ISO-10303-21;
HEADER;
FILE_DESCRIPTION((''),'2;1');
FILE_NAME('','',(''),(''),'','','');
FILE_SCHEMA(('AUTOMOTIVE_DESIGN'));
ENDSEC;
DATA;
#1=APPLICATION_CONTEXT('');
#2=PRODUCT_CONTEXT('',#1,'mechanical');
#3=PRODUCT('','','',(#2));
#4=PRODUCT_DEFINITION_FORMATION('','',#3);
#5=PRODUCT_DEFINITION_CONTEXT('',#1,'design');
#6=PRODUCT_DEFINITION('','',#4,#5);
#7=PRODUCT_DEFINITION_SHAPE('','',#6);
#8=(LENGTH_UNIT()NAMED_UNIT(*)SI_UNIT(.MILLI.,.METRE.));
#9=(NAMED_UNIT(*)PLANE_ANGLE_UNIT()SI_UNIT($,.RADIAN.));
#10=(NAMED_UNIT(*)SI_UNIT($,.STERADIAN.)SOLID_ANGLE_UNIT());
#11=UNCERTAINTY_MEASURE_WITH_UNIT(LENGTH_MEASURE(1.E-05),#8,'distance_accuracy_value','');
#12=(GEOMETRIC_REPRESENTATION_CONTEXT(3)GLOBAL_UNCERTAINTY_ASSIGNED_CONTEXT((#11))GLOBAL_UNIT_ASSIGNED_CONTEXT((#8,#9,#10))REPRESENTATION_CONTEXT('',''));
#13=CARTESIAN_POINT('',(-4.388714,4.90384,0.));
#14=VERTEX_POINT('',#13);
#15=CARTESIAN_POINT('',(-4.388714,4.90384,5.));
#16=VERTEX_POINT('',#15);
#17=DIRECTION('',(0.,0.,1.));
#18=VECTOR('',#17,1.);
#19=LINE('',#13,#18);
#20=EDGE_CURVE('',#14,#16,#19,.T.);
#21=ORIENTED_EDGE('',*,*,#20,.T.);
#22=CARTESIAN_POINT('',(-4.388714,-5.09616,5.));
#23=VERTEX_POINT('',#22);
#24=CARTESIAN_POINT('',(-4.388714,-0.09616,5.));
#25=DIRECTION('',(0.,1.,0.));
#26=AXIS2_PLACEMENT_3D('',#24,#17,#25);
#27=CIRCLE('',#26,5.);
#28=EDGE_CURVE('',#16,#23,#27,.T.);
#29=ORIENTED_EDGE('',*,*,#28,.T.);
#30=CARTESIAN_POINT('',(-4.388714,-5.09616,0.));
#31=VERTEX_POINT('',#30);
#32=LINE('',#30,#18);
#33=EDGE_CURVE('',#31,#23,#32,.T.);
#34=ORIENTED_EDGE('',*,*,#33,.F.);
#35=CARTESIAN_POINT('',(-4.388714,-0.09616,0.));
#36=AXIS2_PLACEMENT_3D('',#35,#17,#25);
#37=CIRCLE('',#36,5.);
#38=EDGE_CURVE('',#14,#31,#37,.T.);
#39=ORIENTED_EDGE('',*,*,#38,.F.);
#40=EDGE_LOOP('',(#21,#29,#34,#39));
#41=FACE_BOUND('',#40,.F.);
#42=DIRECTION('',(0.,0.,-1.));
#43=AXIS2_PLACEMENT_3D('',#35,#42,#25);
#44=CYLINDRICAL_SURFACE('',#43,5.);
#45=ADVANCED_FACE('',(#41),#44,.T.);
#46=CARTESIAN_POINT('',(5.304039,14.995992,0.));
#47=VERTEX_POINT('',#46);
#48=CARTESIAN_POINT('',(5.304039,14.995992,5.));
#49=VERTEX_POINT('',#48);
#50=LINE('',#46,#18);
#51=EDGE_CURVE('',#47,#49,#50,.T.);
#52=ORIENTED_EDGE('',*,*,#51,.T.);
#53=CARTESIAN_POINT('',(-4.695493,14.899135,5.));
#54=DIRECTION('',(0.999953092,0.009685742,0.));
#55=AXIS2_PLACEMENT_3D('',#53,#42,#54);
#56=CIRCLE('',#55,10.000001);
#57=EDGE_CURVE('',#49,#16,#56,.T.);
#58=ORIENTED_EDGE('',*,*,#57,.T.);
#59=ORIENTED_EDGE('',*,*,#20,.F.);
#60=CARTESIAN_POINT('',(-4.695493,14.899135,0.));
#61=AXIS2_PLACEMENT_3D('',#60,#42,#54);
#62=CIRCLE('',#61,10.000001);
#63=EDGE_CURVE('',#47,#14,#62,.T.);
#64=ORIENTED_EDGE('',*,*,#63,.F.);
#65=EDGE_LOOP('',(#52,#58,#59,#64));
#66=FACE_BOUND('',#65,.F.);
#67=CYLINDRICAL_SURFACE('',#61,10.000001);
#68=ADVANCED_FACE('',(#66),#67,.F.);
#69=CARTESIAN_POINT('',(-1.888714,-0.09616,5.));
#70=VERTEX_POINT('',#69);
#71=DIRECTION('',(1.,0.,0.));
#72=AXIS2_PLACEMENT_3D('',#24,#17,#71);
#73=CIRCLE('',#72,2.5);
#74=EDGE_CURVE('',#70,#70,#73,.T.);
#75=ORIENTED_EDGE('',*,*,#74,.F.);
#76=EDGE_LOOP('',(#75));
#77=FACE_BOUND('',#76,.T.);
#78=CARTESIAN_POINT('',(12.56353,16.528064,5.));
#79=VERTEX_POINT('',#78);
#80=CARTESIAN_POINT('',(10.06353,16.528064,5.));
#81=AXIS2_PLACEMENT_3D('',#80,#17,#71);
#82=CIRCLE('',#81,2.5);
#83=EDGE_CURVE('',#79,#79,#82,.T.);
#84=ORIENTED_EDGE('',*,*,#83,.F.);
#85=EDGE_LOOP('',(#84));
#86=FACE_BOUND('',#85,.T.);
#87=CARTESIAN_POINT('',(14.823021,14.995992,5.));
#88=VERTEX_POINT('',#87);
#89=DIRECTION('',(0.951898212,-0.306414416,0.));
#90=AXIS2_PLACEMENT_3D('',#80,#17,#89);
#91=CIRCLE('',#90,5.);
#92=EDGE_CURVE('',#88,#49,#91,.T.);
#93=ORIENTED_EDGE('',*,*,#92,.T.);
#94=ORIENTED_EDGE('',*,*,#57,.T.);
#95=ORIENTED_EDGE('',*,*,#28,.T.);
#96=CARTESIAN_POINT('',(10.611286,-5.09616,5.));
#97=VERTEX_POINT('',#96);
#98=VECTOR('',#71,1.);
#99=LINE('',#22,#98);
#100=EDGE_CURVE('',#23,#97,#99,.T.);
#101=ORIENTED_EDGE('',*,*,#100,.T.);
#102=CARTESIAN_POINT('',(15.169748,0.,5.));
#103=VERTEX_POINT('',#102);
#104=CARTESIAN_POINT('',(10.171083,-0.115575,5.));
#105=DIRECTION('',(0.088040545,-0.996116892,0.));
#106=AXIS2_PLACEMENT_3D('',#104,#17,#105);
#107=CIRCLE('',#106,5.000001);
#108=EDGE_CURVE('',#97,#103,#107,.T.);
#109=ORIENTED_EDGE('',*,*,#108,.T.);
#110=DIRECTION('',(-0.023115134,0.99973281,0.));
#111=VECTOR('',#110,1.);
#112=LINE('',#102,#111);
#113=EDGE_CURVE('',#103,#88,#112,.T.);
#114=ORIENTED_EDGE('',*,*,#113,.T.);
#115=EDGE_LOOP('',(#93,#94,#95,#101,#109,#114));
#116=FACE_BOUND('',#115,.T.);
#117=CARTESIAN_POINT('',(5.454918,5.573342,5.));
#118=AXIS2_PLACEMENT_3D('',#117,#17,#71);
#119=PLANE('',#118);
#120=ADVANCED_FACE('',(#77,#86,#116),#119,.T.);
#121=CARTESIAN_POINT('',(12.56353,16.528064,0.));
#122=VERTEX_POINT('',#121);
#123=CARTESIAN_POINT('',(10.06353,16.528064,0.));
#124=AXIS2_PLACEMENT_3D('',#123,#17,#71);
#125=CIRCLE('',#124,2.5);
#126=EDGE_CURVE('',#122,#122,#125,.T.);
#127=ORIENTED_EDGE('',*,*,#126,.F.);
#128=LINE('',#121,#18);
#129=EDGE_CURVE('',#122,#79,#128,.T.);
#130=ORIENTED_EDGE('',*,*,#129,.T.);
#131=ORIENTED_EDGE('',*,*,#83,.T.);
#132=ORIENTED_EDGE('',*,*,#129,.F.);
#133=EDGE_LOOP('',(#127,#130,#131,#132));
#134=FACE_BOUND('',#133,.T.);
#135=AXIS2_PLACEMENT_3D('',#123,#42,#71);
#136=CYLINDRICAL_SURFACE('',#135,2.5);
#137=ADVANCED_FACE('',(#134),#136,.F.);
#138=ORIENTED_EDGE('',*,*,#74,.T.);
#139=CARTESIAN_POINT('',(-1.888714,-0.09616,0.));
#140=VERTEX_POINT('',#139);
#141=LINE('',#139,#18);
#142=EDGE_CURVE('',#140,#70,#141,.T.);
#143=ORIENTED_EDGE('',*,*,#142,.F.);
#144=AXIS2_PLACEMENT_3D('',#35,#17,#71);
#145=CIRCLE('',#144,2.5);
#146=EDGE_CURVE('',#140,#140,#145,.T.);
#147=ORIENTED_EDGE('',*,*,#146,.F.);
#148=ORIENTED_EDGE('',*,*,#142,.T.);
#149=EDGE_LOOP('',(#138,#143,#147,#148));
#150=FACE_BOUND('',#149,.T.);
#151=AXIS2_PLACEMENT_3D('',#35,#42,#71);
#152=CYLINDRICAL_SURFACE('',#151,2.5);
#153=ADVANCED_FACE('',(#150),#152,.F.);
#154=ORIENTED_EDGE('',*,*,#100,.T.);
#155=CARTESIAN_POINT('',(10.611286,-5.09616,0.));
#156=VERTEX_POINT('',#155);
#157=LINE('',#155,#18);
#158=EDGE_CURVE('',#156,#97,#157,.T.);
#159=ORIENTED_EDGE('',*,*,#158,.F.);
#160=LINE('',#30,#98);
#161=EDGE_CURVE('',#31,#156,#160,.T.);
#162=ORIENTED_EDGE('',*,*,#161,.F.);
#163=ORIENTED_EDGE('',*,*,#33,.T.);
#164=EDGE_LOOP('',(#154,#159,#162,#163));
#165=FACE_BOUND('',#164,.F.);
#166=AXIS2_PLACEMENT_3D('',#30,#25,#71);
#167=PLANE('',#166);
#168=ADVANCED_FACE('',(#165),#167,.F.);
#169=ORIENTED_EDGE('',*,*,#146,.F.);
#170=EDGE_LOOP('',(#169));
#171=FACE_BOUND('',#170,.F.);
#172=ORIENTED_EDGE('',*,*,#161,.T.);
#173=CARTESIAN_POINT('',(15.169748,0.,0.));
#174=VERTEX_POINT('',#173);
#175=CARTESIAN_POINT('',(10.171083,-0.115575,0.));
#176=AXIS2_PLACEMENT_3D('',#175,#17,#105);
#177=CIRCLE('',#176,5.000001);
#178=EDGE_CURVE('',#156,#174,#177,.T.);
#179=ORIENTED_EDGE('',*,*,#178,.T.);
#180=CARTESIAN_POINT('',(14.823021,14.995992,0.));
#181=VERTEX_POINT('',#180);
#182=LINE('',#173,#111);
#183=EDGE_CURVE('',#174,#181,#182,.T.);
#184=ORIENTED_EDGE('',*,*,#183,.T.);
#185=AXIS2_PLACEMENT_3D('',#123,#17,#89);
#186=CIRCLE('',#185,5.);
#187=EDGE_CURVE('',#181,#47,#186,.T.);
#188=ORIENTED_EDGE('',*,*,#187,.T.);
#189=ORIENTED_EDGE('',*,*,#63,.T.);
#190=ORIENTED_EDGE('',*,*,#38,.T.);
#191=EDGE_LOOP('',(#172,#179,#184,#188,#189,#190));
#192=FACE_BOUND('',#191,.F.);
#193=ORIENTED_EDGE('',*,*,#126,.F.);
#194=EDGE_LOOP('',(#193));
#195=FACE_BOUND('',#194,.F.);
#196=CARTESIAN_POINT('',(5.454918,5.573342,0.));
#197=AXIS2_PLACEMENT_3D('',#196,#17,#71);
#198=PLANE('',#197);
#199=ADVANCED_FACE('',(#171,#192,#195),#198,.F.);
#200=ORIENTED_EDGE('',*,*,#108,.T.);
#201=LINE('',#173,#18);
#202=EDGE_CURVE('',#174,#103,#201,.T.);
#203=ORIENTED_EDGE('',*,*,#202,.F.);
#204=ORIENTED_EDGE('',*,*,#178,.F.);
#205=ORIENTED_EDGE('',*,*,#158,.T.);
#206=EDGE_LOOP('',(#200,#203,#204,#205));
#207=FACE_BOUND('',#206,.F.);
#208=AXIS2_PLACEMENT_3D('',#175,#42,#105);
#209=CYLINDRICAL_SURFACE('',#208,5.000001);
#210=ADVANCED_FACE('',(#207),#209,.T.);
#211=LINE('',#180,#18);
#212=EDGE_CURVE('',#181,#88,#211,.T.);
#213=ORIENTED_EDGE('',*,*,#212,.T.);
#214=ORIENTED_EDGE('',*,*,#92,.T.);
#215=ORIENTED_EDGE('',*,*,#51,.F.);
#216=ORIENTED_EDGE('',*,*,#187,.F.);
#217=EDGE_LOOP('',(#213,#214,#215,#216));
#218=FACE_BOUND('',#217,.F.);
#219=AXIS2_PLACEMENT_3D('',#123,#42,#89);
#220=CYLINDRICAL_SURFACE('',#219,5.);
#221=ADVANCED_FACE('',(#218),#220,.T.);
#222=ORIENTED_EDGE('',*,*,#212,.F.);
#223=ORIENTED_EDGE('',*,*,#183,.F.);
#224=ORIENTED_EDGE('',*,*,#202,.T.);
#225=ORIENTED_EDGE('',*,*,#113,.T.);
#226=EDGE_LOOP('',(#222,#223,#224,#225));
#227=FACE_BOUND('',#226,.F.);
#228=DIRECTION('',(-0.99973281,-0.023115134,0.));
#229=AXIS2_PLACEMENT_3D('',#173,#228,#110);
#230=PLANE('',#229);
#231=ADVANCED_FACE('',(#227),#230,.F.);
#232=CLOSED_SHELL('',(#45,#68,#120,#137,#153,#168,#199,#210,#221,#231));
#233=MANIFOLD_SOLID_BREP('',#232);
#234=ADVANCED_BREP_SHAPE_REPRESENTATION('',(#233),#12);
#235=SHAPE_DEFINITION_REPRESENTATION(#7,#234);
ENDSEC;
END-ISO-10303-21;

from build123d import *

# Parameters (mm, degrees)
F0_R     = 2.5
F1_DEPTH = 5


with BuildPart() as f1:
    # F0 (on Top) → F1 (new body)
    with BuildSketch(Plane.XY):
        with BuildLine():
            ThreePointArc((5.304039, 14.995992), (2.51685, 7.972221), (-4.388714, 4.90384))
            ThreePointArc((-4.388714, 4.90384), (-9.388714, -0.09616), (-4.388714, -5.09616))
            Line((-4.388714, -5.09616), (10.611286, -5.09616))
            ThreePointArc((10.611286, -5.09616), (13.897748, -3.449038), (15.169748, 0))
            Line((15.169748, 0), (14.823021, 14.995992))
            ThreePointArc((14.823021, 14.995992), (10.06353, 21.528064), (5.304039, 14.995992))
        make_face()
        with Locations((-4.388714, -0.09616)):
            Circle(F0_R, mode=Mode.SUBTRACT)
        with Locations((10.06353, 16.528064)):
            Circle(F0_R, mode=Mode.SUBTRACT)
    extrude(amount=F1_DEPTH)


solid = f1.part
